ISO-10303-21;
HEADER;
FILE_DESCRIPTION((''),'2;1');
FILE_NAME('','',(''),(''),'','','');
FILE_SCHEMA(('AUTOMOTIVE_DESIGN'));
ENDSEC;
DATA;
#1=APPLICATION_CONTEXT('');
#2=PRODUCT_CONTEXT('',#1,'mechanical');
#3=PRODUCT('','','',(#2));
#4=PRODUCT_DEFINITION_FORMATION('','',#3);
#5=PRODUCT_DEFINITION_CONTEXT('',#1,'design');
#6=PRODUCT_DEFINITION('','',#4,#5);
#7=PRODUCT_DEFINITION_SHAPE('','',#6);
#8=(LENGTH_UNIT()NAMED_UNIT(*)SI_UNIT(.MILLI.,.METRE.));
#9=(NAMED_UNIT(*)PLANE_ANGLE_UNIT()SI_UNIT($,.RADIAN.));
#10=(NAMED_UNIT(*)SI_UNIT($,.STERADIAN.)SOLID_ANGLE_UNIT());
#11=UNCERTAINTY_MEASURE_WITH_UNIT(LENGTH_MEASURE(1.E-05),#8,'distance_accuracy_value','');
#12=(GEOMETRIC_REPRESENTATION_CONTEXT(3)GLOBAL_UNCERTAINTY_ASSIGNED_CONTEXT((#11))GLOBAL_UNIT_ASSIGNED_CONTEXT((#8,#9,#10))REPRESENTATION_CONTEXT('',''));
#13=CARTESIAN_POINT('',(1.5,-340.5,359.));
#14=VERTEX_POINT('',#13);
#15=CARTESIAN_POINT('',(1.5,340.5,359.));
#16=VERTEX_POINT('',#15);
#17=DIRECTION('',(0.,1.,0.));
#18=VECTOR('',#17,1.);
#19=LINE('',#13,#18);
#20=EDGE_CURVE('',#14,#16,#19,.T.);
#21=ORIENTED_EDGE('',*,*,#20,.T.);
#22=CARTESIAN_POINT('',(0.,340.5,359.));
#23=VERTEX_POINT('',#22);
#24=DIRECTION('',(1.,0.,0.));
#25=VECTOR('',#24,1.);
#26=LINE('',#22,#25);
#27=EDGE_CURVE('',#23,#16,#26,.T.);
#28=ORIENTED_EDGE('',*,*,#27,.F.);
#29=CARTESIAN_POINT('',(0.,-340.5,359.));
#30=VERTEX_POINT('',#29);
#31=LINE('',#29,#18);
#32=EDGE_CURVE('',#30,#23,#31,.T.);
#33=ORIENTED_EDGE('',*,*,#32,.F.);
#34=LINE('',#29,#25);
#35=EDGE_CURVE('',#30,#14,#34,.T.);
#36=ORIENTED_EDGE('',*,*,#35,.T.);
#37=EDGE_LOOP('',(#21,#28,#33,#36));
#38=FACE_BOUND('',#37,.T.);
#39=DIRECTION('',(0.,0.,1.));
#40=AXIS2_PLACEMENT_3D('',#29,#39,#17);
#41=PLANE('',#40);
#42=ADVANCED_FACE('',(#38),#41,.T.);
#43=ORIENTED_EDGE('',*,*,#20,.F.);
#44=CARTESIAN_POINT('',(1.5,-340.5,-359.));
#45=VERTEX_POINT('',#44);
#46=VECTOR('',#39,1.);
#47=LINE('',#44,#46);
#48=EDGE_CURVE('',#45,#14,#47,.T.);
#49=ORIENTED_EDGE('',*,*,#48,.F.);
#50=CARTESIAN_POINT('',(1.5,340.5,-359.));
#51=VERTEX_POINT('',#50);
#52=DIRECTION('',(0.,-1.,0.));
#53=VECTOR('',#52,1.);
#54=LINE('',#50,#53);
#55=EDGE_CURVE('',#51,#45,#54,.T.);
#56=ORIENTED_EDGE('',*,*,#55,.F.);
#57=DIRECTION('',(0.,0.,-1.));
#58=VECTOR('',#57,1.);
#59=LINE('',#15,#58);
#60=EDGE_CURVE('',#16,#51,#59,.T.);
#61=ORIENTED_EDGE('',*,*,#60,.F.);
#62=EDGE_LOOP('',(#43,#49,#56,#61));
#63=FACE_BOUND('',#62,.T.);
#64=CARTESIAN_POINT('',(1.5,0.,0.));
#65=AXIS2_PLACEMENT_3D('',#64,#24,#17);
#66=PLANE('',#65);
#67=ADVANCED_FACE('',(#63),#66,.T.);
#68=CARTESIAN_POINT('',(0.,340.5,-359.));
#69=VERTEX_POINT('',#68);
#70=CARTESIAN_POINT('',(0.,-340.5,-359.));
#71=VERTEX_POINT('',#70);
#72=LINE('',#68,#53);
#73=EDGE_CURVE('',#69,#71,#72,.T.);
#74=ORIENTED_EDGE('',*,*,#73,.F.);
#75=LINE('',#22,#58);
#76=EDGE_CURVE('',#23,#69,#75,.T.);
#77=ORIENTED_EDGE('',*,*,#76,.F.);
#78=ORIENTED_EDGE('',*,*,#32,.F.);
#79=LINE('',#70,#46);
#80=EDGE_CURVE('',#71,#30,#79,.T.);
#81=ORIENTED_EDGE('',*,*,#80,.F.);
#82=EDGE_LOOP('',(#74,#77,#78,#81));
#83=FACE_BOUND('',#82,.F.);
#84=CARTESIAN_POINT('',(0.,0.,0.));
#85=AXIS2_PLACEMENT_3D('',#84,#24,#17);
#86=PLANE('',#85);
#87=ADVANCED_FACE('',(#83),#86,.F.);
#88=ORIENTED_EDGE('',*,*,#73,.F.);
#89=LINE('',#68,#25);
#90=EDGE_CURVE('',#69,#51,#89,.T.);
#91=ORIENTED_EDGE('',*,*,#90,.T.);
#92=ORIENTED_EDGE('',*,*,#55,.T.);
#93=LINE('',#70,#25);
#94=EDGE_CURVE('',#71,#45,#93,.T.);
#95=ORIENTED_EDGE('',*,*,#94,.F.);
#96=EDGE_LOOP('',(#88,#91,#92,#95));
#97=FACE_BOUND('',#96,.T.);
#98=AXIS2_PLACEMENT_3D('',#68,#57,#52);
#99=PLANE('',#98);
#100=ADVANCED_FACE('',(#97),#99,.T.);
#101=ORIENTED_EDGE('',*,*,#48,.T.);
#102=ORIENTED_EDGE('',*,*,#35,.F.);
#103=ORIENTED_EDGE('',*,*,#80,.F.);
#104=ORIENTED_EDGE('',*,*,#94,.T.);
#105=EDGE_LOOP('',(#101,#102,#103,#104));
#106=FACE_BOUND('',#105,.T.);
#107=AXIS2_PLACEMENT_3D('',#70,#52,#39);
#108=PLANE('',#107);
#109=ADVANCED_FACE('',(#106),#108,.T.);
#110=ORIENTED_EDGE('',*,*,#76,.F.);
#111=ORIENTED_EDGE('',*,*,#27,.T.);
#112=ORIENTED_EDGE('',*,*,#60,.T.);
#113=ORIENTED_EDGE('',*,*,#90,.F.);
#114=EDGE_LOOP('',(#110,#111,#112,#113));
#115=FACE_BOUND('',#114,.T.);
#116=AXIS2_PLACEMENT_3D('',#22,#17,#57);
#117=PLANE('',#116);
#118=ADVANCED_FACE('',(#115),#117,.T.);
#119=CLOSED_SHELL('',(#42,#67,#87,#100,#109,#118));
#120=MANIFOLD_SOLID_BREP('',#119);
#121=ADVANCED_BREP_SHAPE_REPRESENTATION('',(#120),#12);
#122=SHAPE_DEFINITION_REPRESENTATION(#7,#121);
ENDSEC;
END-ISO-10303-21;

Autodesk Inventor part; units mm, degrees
ref_plane "YZ Plane" through (0, 0, 0) normal (1, 0, 0) x (0, 1, 0)
ref_plane "XZ Plane" through (0, 0, 0) normal (0, 1, 0) x (-1, 0, 0)
ref_plane "XY Plane" through (0, 0, 0) normal (0, 0, 1) x (1, 0, 0)
sketch "Sketch1" plane through (0, 0, 0) normal (1, 0, 0) x (0, 1, 0)
  line L0 (-340.5, 359) -> (340.5, 359)
  line L1 (340.5, 359) -> (340.5, -359)
  line L2 (340.5, -359) -> (-340.5, -359)
  line L3 (-340.5, -359) -> (-340.5, 359)
  line L4 (-340.5, 359) -> (340.5, -359) construction
  line L5 (340.5, 359) -> (-340.5, -359) construction
  point P0 (0, 0)
  dimension "d0" = 681
  dimension "d1" = 718
extrude "Plate1" add sketch "Sketch1" along normal blind 1.5
equation "\"d2\" = Thickness"
equation "\"BendRadius\" = Thickness"
equation "\"BendReliefWidth\" = Thickness"
equation "\"BendReliefDepth\" = 0.5 * Thickness"
equation "\"CornerReliefSize\" = 4 * Thickness"
equation "\"MinimumRemnant\" = 2 * Thickness"
equation "\"TransitionRadius\" = BendRadius"
equation "\"JacobiRadiusSize\" = BendRadius"
equation "\"GapSize\" = Thickness"
equation "\"Thickness\" = 1.5"
properties part number "CHAPA_5" material "Steel, Mild, Welded"
